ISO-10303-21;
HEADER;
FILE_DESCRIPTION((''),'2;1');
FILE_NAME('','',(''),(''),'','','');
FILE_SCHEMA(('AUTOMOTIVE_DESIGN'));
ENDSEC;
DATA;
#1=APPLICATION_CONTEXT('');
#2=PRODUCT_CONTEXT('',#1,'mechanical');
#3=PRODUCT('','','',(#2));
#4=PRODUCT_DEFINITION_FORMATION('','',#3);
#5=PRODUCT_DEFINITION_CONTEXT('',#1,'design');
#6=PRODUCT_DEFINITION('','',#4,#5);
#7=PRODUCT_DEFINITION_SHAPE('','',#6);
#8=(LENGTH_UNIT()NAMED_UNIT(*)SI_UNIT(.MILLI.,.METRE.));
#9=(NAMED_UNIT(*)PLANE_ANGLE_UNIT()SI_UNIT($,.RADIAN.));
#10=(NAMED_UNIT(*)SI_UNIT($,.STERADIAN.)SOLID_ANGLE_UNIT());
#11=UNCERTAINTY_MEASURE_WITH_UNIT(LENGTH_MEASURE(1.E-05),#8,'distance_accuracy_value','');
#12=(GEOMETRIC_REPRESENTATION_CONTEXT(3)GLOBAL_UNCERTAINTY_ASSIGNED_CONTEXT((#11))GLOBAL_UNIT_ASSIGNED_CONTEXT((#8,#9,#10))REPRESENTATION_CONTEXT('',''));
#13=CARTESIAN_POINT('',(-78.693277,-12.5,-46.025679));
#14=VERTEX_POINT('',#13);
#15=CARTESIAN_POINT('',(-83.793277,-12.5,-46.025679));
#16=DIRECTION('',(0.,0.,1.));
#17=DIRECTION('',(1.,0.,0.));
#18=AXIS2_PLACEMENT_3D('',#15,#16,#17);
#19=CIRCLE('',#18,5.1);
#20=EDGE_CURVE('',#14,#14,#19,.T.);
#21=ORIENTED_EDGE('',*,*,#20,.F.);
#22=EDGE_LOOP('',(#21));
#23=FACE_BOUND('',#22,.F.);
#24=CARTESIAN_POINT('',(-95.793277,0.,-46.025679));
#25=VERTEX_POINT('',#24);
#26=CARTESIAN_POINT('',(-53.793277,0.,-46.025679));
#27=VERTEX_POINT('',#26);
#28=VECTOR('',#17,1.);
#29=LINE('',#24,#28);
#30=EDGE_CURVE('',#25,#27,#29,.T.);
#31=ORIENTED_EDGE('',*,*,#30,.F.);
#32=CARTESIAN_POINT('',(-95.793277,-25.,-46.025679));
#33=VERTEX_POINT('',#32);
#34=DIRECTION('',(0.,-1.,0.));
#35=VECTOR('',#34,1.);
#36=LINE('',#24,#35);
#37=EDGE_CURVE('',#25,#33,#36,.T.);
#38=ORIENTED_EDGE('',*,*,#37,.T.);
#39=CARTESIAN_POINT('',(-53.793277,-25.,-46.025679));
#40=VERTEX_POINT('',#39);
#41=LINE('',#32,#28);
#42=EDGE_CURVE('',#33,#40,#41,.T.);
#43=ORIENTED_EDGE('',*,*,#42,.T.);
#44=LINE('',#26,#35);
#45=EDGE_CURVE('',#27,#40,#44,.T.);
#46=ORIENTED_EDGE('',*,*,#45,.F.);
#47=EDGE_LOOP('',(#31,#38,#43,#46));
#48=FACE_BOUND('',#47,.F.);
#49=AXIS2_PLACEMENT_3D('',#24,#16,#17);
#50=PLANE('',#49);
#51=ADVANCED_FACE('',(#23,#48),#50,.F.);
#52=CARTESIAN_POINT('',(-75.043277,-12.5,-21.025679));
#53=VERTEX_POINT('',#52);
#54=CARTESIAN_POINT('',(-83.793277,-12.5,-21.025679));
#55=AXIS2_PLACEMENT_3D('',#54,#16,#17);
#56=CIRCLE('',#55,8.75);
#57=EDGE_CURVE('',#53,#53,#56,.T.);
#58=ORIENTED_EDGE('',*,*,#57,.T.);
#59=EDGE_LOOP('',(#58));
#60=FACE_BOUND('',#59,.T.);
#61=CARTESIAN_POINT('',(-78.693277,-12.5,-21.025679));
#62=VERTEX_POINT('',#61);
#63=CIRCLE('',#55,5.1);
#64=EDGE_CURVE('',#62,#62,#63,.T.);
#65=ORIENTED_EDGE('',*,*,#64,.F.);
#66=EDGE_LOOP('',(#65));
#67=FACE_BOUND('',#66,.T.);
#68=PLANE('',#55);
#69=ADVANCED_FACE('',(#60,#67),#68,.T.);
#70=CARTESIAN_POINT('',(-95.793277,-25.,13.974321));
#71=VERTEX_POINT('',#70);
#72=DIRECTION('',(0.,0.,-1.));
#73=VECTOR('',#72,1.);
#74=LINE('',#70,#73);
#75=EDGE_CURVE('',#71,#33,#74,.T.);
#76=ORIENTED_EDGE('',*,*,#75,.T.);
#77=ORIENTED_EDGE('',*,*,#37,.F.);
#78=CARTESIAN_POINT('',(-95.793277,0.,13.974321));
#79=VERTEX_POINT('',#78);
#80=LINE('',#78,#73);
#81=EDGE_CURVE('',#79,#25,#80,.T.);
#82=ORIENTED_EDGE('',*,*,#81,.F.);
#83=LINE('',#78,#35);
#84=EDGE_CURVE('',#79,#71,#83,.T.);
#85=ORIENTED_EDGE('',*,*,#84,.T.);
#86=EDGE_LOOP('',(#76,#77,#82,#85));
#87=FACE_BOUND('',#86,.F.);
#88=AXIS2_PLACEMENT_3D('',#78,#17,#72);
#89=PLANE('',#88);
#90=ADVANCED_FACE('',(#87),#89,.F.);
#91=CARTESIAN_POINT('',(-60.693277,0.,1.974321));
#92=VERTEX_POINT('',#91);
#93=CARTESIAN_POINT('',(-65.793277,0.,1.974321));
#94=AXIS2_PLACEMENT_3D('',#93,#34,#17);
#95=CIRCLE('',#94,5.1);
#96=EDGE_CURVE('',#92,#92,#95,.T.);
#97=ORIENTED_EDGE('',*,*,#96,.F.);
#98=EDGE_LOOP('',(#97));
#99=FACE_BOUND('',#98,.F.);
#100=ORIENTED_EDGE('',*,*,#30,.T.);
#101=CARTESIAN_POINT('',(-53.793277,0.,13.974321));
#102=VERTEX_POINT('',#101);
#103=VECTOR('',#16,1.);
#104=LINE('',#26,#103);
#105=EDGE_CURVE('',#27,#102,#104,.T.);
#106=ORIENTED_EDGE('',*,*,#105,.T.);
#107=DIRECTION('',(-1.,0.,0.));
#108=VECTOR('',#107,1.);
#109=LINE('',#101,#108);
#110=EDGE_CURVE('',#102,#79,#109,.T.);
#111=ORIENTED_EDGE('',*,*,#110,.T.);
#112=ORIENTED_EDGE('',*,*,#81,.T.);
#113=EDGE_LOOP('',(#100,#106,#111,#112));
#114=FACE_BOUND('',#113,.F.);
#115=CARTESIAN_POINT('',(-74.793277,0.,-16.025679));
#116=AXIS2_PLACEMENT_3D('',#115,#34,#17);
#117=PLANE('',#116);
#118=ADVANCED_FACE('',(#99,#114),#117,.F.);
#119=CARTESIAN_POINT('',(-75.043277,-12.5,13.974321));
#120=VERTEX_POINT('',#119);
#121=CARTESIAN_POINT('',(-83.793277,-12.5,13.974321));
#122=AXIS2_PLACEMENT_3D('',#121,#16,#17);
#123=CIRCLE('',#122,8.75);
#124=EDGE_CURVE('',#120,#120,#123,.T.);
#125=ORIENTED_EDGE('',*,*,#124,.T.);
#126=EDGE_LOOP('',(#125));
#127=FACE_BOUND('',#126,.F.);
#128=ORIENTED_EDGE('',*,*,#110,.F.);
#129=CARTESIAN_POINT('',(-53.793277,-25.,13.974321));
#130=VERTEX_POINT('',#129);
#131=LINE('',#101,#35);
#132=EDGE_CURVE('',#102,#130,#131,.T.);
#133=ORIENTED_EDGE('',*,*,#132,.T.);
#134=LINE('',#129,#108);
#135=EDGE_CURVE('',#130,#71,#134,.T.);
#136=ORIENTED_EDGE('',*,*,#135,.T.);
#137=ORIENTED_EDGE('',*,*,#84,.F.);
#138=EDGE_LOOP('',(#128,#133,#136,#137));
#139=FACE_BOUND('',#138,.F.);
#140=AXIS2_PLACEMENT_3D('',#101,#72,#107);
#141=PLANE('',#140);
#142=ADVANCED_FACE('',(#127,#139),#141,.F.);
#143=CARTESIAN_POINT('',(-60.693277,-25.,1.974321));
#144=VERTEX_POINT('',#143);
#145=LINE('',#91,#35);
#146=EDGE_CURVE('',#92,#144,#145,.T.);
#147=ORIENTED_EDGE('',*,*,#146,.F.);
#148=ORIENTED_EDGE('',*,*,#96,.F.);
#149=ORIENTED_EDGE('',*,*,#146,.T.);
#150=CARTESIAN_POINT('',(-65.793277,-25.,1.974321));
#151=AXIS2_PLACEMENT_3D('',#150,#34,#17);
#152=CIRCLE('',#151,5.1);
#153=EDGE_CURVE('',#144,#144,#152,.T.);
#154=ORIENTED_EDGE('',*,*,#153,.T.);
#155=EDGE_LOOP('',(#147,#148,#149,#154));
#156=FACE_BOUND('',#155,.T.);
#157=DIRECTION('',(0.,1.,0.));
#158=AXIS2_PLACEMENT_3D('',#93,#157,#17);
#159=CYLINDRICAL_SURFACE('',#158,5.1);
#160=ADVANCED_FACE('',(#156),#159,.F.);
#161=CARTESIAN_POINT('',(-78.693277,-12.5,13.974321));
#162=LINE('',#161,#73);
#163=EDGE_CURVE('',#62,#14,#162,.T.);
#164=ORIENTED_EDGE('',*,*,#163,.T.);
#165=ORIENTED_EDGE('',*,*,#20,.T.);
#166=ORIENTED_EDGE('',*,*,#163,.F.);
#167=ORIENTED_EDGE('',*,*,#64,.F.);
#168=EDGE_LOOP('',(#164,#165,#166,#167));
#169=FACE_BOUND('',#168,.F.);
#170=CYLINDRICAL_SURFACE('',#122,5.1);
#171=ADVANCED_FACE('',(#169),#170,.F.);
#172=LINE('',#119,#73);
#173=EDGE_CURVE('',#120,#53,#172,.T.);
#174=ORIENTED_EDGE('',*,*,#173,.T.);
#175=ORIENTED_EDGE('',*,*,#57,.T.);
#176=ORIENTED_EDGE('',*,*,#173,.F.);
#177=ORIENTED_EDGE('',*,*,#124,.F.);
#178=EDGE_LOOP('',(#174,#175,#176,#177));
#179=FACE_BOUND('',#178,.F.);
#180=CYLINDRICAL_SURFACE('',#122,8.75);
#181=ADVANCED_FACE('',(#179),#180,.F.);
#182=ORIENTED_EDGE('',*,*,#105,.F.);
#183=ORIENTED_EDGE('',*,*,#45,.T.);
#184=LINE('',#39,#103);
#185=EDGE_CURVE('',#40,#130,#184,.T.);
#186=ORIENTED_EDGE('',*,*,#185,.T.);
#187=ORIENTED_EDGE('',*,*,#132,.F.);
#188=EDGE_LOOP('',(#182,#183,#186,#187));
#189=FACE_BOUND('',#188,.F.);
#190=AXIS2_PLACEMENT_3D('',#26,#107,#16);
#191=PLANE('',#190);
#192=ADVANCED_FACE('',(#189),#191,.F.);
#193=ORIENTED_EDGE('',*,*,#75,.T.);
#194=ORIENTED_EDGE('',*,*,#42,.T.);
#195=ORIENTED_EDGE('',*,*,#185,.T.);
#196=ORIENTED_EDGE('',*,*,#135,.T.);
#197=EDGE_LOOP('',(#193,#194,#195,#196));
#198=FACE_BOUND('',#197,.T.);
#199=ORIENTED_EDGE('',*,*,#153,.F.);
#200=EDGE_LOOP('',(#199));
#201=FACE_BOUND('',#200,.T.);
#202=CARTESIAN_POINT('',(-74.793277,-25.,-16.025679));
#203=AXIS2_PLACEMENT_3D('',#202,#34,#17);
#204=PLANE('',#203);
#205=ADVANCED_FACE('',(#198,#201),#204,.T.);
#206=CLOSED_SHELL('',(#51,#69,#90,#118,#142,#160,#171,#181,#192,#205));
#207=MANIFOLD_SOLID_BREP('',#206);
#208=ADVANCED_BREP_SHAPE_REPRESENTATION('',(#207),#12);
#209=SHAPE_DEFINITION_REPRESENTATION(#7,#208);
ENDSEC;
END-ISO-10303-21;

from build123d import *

# Parameters (mm, degrees)
F0_R     = 5.1
F1_DEPTH = 25
F2_R     = 5.1
F3_DEPTH = 63.5
F2_R_2   = 8.75
F4_DEPTH = 35


with BuildPart() as f1:
    # F0 (on Front) → F1 (new body)
    with BuildSketch(Plane.XZ):
        Polygon((-95.793277, 13.974321), (-95.793277, -46.025679), (-53.793277, -46.025679), (-53.793277, 1.974321), (-53.793277, 13.974321), (-65.793277, 13.974321), align=None)
        with Locations((-65.793277, 1.974321)):
            Circle(F0_R, mode=Mode.SUBTRACT)
    extrude(amount=F1_DEPTH)

    # F2 (on face) → F3 (cut)
    with BuildSketch(Plane.XY.offset(13.974321)):
        with Locations((-83.793277, -12.5)):
            Circle(F2_R)
    extrude(amount=-F3_DEPTH, mode=Mode.SUBTRACT)

    # F2 (on face) → F4 (cut)
    with BuildSketch(Plane.XY.offset(13.974321)):
        with Locations((-83.793277, -12.5)):
            Circle(F2_R_2)
        with Locations((-83.793277, -12.5)):
            Circle(F2_R, mode=Mode.SUBTRACT)
    extrude(amount=-F4_DEPTH, mode=Mode.SUBTRACT)


solid = f1.part
